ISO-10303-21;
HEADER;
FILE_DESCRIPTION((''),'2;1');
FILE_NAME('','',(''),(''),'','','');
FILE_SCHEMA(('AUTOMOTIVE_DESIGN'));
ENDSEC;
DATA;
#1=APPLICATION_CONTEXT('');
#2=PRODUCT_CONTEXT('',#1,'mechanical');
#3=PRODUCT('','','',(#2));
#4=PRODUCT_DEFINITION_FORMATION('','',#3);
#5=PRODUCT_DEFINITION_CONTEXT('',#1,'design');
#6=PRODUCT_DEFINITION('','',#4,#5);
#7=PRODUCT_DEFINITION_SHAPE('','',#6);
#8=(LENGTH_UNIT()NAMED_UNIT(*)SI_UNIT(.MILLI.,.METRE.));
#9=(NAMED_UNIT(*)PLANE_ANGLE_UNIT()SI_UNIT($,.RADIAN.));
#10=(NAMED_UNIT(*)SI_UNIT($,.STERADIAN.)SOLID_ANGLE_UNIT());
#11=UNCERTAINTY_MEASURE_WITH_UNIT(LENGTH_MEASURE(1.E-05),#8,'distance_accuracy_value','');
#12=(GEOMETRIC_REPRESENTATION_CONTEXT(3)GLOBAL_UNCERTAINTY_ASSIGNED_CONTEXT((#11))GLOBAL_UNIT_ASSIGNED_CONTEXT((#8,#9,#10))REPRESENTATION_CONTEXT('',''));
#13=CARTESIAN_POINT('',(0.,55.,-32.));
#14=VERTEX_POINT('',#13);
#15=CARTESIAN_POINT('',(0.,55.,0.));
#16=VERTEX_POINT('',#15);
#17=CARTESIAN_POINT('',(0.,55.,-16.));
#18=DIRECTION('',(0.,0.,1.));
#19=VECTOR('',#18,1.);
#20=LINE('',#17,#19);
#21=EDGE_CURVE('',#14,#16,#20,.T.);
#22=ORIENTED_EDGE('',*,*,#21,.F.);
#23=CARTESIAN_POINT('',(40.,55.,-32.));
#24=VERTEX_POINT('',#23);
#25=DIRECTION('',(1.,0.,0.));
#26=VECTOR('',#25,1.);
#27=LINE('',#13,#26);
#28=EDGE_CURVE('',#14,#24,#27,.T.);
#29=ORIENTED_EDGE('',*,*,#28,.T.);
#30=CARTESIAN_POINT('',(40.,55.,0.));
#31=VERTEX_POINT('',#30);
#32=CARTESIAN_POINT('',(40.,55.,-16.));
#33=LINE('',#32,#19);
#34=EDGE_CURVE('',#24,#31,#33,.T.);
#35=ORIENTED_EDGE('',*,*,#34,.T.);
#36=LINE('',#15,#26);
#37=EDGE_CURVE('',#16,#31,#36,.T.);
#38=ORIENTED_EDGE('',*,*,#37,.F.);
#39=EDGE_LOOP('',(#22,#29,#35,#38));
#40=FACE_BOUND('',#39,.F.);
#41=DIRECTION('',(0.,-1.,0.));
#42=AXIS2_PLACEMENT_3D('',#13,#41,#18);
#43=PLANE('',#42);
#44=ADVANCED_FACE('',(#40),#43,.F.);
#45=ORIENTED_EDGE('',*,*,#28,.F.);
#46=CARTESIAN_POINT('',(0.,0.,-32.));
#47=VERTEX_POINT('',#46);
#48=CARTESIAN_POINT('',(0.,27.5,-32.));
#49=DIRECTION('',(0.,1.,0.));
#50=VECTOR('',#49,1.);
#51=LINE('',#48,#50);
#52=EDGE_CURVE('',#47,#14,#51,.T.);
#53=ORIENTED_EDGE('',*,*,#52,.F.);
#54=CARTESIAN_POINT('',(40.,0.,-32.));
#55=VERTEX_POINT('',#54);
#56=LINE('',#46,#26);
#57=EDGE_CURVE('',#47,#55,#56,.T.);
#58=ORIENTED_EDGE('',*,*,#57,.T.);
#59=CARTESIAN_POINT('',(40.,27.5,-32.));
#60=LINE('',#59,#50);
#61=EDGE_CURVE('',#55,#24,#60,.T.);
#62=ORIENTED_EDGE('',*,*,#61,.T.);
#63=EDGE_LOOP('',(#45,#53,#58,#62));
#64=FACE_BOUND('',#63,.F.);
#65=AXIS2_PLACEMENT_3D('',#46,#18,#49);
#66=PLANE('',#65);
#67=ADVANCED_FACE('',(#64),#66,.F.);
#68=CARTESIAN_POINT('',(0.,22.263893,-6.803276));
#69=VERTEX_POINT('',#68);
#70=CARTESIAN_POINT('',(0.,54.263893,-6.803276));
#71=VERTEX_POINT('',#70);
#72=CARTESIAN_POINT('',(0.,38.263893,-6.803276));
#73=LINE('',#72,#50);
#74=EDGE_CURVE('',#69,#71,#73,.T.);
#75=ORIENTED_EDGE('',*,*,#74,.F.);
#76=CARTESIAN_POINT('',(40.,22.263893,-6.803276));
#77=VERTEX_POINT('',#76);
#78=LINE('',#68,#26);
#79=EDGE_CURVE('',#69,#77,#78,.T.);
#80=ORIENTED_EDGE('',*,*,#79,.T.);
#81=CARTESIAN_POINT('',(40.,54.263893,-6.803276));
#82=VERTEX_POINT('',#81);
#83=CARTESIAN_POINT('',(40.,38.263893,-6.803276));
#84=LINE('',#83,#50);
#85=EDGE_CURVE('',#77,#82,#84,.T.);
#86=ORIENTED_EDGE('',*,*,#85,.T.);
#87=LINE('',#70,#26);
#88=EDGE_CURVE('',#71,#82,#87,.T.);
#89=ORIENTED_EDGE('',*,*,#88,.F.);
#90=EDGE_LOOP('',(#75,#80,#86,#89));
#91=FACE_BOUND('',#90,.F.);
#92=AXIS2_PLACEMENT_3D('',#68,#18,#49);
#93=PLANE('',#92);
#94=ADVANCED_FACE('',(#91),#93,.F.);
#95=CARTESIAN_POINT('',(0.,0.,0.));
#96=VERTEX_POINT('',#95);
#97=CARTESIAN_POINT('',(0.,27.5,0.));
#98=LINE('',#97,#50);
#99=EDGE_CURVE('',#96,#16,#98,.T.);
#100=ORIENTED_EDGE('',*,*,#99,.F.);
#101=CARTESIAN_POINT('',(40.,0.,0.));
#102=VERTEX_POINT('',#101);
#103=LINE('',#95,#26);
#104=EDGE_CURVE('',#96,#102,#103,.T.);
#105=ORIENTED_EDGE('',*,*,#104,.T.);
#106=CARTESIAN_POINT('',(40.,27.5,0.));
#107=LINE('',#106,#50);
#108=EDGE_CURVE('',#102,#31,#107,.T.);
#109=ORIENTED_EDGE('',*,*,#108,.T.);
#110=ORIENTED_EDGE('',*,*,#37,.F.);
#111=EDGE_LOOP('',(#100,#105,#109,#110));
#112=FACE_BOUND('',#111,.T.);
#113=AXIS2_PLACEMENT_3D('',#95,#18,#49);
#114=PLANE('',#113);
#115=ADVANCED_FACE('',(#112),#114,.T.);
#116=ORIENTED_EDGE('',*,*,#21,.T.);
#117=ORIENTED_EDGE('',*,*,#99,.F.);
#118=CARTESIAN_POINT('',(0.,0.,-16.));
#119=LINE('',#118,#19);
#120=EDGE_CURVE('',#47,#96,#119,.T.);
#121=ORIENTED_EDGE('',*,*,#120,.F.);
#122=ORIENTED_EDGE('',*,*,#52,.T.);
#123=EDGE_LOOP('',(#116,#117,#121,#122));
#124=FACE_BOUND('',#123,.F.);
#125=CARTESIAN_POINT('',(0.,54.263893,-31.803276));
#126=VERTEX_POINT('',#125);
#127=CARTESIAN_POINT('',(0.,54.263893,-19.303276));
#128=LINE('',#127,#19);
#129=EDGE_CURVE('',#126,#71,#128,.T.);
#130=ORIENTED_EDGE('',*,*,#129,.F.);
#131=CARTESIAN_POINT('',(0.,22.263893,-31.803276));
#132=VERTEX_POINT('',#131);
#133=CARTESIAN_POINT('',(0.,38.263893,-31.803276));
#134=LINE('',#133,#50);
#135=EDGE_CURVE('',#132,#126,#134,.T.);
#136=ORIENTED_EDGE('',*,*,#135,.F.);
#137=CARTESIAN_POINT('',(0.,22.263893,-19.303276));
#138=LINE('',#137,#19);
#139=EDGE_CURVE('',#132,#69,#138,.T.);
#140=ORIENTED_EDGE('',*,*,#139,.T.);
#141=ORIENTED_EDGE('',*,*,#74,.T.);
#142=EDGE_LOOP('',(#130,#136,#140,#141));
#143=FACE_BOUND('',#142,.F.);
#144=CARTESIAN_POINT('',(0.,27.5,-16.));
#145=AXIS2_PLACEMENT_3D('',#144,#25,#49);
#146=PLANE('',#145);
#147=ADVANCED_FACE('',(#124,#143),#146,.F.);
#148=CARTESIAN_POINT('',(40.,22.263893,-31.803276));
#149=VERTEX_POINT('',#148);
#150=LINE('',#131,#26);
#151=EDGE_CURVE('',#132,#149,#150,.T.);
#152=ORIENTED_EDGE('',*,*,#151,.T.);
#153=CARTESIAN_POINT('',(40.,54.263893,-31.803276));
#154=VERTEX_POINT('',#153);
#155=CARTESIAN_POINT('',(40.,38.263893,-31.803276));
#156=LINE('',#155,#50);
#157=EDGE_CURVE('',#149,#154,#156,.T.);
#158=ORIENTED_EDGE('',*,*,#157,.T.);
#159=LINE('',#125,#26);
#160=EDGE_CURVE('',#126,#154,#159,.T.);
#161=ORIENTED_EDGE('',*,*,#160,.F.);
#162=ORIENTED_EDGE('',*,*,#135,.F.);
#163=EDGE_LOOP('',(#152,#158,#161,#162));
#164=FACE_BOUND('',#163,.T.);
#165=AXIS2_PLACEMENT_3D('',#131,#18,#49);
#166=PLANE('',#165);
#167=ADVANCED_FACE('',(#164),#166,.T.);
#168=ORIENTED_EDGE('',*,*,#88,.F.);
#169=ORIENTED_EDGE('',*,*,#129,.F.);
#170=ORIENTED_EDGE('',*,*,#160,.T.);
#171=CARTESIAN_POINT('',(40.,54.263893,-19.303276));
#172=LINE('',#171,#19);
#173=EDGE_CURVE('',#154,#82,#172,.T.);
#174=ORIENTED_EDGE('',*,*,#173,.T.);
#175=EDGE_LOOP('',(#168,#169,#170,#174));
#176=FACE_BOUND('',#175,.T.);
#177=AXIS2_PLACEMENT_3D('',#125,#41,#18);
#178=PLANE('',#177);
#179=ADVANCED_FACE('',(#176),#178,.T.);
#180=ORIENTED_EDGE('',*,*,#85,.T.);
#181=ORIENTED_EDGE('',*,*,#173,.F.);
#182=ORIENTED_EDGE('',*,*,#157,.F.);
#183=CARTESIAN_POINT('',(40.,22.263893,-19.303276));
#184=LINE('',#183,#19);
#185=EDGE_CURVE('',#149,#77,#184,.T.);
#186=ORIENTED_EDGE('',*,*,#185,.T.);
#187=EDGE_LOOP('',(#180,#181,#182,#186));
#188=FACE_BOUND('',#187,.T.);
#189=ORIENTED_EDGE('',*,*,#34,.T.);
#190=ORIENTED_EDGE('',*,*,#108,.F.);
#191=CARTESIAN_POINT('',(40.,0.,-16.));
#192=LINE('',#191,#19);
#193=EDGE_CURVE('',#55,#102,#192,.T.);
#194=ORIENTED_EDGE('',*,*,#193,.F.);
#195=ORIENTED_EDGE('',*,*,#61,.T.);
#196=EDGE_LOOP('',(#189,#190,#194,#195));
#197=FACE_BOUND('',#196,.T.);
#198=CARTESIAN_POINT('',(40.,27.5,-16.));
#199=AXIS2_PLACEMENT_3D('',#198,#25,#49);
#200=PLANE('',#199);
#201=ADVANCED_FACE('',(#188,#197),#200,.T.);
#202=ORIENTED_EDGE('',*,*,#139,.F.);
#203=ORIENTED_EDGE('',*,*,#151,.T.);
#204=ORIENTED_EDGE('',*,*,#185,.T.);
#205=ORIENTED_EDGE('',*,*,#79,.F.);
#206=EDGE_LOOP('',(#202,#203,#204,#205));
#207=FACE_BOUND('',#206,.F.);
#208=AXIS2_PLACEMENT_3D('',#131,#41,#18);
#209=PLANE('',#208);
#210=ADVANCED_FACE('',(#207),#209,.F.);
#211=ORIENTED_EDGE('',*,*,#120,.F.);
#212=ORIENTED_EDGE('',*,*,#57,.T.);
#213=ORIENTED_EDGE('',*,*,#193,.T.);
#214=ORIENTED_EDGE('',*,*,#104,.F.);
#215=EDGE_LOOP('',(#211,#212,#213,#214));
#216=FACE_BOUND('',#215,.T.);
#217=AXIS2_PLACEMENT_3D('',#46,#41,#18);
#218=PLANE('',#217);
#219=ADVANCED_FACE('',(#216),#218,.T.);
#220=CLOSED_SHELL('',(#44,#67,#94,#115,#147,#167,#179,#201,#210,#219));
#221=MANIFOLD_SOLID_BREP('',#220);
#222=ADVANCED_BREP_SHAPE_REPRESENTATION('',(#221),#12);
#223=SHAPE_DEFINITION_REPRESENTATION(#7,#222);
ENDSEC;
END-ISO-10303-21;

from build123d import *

# Parameters (mm, degrees)
F0_W     = 55
F0_H     = 32
F1_DEPTH = 40
F2_W     = 32
F2_H     = 25
F3_DEPTH = 40


with BuildPart() as f1:
    # F0 (on Right) → F1 (new body)
    with BuildSketch(Plane.YZ):
        with Locations((27.5, -16)):
            Rectangle(F0_W, F0_H)
    extrude(amount=F1_DEPTH)

    # F2 (on Right) → F3 (cut)
    with BuildSketch(Plane.YZ):
        with Locations((38.263893, -19.303276)):
            Rectangle(F2_W, F2_H)
    extrude(amount=F3_DEPTH, mode=Mode.SUBTRACT)


solid = f1.part
